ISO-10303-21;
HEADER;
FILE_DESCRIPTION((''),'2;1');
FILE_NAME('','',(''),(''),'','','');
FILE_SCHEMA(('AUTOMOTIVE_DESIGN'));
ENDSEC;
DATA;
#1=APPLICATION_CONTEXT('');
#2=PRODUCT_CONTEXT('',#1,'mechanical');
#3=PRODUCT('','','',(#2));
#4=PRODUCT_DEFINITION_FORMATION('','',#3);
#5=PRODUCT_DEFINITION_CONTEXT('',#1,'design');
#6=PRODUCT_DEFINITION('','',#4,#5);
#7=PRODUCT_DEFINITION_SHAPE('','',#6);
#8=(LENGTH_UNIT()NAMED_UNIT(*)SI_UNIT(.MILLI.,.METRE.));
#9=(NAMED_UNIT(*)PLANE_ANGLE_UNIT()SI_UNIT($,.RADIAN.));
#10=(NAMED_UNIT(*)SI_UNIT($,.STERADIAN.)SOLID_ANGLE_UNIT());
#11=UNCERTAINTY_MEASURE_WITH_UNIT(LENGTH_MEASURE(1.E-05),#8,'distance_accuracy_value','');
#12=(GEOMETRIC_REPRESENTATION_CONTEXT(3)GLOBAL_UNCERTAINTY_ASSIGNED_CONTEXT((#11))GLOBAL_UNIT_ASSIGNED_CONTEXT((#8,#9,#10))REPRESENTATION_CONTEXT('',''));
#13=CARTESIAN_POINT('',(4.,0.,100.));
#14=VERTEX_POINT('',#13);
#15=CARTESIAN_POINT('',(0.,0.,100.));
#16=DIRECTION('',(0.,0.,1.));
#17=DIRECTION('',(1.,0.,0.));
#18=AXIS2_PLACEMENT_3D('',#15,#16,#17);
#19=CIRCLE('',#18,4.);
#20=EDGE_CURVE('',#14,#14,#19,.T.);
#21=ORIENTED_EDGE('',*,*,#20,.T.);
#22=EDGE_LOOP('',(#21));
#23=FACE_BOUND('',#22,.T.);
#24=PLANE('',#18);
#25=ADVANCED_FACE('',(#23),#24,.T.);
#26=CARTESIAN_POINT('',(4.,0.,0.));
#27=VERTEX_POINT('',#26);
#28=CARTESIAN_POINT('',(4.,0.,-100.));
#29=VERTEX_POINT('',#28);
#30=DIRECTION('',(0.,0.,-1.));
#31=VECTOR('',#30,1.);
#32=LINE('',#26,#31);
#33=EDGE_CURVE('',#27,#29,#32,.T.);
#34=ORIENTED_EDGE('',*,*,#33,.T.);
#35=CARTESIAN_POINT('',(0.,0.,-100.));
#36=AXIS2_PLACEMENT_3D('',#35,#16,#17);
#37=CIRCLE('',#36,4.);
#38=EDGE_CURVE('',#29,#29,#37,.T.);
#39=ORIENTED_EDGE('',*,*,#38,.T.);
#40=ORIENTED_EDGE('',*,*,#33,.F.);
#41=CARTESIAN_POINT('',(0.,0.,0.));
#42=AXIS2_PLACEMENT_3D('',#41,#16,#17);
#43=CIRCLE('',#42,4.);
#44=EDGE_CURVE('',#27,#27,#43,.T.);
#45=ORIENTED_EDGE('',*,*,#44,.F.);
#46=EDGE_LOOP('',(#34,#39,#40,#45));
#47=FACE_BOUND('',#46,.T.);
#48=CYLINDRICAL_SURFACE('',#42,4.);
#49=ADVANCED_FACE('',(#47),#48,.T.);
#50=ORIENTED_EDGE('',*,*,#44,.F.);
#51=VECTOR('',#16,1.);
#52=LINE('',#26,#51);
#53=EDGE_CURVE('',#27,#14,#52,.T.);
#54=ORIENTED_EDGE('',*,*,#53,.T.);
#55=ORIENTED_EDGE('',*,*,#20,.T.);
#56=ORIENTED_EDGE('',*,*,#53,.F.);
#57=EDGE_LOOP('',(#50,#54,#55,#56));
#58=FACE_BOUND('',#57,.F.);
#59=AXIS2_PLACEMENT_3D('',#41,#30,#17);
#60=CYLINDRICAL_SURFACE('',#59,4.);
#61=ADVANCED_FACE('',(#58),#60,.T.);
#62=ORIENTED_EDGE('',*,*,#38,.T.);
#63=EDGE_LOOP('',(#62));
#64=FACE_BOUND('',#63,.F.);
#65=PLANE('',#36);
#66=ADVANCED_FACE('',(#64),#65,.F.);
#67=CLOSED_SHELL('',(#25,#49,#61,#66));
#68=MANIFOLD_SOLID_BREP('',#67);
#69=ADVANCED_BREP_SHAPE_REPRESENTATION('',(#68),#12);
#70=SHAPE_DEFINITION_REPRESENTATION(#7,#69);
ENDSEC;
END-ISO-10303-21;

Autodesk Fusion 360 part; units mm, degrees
sketch "8mm circle" plane through (0, 0, 0) normal (0, 0, 1) x (1, 0, 0)
  circle A0 centre (0, 0) radius 4
  dimension "d1" = 8
extrude "Extrude1" add sketch "8mm circle" along normal mid plane 200 makes body 1
copy_body "Body->Comp1" bodies 1 removing the originals makes body 2 in component "8mm shaft"
component "8mm shaft" placed x (1, 0, 0) y (0, 1, 0) z (0, 0, 1) at (0, 0, 0)
